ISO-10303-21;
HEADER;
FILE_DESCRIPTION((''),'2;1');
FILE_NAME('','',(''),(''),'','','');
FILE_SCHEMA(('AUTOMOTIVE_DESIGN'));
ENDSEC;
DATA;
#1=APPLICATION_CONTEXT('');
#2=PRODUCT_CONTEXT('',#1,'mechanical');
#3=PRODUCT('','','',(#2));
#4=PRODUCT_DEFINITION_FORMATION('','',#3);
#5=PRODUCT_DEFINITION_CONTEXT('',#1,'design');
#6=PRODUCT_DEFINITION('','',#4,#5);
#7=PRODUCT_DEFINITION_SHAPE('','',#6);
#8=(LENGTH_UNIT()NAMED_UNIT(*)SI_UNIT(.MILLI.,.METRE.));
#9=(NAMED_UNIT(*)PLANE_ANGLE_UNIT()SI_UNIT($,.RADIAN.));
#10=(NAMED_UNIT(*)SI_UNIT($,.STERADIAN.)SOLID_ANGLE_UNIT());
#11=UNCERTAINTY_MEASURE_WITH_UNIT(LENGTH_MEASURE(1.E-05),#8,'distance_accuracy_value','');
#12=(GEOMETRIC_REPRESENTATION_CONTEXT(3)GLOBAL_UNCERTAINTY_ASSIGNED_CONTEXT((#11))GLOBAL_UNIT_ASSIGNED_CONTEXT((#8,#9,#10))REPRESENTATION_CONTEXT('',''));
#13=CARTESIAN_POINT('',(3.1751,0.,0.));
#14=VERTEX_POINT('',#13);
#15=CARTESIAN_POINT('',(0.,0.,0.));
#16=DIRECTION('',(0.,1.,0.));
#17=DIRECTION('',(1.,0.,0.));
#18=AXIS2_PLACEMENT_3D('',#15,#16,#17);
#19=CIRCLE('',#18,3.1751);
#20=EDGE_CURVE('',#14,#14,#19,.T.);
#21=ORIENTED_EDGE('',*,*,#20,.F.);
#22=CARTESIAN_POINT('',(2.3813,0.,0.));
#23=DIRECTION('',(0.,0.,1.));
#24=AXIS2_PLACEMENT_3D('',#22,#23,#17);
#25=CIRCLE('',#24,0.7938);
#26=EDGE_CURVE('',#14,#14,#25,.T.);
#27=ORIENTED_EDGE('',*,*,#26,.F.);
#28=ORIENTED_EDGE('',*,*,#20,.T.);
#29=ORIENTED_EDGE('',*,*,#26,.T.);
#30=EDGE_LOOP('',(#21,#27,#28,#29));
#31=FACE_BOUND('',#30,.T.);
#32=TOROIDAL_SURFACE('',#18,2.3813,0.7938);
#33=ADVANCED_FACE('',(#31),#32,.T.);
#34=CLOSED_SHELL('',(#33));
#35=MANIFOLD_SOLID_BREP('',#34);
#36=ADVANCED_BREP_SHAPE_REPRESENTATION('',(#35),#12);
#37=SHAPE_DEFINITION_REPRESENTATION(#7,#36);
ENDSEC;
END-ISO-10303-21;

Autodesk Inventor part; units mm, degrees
ref_plane "YZ Plane" through (0, 0, 0) normal (1, 0, 0) x (0, 1, 0)
ref_plane "XY Plane" through (0, 0, 0) normal (0, 0, 1) x (1, 0, 0)
sketch "Sketch1" plane through (0, 0, 0) normal (0, 0, 1) x (1, 0, 0)
  circle A0 centre (2.3813, 0) radius 0.7938
  line L0 (0, -0.5953) -> (0, 0.5953)
  line L1 (0, 0) -> (2.3813, 0) construction
  dimension "d0" = 1.5875
  dimension "d1" = 2.3813
revolve "Revolution1" add sketch "Sketch1" angle 360 about axis through (0, -0.5953, 0) along (0, 1, 0)
ref_plane "Work Plane1" through (0, 0.7937, 0) normal (0, 1, 0) x (-1, 0, 0)
ref_plane "Work Plane2" through (0, -0.7937, 0) normal (0, 1, 0) x (-1, 0, 0)
properties part number "O-Ring"
